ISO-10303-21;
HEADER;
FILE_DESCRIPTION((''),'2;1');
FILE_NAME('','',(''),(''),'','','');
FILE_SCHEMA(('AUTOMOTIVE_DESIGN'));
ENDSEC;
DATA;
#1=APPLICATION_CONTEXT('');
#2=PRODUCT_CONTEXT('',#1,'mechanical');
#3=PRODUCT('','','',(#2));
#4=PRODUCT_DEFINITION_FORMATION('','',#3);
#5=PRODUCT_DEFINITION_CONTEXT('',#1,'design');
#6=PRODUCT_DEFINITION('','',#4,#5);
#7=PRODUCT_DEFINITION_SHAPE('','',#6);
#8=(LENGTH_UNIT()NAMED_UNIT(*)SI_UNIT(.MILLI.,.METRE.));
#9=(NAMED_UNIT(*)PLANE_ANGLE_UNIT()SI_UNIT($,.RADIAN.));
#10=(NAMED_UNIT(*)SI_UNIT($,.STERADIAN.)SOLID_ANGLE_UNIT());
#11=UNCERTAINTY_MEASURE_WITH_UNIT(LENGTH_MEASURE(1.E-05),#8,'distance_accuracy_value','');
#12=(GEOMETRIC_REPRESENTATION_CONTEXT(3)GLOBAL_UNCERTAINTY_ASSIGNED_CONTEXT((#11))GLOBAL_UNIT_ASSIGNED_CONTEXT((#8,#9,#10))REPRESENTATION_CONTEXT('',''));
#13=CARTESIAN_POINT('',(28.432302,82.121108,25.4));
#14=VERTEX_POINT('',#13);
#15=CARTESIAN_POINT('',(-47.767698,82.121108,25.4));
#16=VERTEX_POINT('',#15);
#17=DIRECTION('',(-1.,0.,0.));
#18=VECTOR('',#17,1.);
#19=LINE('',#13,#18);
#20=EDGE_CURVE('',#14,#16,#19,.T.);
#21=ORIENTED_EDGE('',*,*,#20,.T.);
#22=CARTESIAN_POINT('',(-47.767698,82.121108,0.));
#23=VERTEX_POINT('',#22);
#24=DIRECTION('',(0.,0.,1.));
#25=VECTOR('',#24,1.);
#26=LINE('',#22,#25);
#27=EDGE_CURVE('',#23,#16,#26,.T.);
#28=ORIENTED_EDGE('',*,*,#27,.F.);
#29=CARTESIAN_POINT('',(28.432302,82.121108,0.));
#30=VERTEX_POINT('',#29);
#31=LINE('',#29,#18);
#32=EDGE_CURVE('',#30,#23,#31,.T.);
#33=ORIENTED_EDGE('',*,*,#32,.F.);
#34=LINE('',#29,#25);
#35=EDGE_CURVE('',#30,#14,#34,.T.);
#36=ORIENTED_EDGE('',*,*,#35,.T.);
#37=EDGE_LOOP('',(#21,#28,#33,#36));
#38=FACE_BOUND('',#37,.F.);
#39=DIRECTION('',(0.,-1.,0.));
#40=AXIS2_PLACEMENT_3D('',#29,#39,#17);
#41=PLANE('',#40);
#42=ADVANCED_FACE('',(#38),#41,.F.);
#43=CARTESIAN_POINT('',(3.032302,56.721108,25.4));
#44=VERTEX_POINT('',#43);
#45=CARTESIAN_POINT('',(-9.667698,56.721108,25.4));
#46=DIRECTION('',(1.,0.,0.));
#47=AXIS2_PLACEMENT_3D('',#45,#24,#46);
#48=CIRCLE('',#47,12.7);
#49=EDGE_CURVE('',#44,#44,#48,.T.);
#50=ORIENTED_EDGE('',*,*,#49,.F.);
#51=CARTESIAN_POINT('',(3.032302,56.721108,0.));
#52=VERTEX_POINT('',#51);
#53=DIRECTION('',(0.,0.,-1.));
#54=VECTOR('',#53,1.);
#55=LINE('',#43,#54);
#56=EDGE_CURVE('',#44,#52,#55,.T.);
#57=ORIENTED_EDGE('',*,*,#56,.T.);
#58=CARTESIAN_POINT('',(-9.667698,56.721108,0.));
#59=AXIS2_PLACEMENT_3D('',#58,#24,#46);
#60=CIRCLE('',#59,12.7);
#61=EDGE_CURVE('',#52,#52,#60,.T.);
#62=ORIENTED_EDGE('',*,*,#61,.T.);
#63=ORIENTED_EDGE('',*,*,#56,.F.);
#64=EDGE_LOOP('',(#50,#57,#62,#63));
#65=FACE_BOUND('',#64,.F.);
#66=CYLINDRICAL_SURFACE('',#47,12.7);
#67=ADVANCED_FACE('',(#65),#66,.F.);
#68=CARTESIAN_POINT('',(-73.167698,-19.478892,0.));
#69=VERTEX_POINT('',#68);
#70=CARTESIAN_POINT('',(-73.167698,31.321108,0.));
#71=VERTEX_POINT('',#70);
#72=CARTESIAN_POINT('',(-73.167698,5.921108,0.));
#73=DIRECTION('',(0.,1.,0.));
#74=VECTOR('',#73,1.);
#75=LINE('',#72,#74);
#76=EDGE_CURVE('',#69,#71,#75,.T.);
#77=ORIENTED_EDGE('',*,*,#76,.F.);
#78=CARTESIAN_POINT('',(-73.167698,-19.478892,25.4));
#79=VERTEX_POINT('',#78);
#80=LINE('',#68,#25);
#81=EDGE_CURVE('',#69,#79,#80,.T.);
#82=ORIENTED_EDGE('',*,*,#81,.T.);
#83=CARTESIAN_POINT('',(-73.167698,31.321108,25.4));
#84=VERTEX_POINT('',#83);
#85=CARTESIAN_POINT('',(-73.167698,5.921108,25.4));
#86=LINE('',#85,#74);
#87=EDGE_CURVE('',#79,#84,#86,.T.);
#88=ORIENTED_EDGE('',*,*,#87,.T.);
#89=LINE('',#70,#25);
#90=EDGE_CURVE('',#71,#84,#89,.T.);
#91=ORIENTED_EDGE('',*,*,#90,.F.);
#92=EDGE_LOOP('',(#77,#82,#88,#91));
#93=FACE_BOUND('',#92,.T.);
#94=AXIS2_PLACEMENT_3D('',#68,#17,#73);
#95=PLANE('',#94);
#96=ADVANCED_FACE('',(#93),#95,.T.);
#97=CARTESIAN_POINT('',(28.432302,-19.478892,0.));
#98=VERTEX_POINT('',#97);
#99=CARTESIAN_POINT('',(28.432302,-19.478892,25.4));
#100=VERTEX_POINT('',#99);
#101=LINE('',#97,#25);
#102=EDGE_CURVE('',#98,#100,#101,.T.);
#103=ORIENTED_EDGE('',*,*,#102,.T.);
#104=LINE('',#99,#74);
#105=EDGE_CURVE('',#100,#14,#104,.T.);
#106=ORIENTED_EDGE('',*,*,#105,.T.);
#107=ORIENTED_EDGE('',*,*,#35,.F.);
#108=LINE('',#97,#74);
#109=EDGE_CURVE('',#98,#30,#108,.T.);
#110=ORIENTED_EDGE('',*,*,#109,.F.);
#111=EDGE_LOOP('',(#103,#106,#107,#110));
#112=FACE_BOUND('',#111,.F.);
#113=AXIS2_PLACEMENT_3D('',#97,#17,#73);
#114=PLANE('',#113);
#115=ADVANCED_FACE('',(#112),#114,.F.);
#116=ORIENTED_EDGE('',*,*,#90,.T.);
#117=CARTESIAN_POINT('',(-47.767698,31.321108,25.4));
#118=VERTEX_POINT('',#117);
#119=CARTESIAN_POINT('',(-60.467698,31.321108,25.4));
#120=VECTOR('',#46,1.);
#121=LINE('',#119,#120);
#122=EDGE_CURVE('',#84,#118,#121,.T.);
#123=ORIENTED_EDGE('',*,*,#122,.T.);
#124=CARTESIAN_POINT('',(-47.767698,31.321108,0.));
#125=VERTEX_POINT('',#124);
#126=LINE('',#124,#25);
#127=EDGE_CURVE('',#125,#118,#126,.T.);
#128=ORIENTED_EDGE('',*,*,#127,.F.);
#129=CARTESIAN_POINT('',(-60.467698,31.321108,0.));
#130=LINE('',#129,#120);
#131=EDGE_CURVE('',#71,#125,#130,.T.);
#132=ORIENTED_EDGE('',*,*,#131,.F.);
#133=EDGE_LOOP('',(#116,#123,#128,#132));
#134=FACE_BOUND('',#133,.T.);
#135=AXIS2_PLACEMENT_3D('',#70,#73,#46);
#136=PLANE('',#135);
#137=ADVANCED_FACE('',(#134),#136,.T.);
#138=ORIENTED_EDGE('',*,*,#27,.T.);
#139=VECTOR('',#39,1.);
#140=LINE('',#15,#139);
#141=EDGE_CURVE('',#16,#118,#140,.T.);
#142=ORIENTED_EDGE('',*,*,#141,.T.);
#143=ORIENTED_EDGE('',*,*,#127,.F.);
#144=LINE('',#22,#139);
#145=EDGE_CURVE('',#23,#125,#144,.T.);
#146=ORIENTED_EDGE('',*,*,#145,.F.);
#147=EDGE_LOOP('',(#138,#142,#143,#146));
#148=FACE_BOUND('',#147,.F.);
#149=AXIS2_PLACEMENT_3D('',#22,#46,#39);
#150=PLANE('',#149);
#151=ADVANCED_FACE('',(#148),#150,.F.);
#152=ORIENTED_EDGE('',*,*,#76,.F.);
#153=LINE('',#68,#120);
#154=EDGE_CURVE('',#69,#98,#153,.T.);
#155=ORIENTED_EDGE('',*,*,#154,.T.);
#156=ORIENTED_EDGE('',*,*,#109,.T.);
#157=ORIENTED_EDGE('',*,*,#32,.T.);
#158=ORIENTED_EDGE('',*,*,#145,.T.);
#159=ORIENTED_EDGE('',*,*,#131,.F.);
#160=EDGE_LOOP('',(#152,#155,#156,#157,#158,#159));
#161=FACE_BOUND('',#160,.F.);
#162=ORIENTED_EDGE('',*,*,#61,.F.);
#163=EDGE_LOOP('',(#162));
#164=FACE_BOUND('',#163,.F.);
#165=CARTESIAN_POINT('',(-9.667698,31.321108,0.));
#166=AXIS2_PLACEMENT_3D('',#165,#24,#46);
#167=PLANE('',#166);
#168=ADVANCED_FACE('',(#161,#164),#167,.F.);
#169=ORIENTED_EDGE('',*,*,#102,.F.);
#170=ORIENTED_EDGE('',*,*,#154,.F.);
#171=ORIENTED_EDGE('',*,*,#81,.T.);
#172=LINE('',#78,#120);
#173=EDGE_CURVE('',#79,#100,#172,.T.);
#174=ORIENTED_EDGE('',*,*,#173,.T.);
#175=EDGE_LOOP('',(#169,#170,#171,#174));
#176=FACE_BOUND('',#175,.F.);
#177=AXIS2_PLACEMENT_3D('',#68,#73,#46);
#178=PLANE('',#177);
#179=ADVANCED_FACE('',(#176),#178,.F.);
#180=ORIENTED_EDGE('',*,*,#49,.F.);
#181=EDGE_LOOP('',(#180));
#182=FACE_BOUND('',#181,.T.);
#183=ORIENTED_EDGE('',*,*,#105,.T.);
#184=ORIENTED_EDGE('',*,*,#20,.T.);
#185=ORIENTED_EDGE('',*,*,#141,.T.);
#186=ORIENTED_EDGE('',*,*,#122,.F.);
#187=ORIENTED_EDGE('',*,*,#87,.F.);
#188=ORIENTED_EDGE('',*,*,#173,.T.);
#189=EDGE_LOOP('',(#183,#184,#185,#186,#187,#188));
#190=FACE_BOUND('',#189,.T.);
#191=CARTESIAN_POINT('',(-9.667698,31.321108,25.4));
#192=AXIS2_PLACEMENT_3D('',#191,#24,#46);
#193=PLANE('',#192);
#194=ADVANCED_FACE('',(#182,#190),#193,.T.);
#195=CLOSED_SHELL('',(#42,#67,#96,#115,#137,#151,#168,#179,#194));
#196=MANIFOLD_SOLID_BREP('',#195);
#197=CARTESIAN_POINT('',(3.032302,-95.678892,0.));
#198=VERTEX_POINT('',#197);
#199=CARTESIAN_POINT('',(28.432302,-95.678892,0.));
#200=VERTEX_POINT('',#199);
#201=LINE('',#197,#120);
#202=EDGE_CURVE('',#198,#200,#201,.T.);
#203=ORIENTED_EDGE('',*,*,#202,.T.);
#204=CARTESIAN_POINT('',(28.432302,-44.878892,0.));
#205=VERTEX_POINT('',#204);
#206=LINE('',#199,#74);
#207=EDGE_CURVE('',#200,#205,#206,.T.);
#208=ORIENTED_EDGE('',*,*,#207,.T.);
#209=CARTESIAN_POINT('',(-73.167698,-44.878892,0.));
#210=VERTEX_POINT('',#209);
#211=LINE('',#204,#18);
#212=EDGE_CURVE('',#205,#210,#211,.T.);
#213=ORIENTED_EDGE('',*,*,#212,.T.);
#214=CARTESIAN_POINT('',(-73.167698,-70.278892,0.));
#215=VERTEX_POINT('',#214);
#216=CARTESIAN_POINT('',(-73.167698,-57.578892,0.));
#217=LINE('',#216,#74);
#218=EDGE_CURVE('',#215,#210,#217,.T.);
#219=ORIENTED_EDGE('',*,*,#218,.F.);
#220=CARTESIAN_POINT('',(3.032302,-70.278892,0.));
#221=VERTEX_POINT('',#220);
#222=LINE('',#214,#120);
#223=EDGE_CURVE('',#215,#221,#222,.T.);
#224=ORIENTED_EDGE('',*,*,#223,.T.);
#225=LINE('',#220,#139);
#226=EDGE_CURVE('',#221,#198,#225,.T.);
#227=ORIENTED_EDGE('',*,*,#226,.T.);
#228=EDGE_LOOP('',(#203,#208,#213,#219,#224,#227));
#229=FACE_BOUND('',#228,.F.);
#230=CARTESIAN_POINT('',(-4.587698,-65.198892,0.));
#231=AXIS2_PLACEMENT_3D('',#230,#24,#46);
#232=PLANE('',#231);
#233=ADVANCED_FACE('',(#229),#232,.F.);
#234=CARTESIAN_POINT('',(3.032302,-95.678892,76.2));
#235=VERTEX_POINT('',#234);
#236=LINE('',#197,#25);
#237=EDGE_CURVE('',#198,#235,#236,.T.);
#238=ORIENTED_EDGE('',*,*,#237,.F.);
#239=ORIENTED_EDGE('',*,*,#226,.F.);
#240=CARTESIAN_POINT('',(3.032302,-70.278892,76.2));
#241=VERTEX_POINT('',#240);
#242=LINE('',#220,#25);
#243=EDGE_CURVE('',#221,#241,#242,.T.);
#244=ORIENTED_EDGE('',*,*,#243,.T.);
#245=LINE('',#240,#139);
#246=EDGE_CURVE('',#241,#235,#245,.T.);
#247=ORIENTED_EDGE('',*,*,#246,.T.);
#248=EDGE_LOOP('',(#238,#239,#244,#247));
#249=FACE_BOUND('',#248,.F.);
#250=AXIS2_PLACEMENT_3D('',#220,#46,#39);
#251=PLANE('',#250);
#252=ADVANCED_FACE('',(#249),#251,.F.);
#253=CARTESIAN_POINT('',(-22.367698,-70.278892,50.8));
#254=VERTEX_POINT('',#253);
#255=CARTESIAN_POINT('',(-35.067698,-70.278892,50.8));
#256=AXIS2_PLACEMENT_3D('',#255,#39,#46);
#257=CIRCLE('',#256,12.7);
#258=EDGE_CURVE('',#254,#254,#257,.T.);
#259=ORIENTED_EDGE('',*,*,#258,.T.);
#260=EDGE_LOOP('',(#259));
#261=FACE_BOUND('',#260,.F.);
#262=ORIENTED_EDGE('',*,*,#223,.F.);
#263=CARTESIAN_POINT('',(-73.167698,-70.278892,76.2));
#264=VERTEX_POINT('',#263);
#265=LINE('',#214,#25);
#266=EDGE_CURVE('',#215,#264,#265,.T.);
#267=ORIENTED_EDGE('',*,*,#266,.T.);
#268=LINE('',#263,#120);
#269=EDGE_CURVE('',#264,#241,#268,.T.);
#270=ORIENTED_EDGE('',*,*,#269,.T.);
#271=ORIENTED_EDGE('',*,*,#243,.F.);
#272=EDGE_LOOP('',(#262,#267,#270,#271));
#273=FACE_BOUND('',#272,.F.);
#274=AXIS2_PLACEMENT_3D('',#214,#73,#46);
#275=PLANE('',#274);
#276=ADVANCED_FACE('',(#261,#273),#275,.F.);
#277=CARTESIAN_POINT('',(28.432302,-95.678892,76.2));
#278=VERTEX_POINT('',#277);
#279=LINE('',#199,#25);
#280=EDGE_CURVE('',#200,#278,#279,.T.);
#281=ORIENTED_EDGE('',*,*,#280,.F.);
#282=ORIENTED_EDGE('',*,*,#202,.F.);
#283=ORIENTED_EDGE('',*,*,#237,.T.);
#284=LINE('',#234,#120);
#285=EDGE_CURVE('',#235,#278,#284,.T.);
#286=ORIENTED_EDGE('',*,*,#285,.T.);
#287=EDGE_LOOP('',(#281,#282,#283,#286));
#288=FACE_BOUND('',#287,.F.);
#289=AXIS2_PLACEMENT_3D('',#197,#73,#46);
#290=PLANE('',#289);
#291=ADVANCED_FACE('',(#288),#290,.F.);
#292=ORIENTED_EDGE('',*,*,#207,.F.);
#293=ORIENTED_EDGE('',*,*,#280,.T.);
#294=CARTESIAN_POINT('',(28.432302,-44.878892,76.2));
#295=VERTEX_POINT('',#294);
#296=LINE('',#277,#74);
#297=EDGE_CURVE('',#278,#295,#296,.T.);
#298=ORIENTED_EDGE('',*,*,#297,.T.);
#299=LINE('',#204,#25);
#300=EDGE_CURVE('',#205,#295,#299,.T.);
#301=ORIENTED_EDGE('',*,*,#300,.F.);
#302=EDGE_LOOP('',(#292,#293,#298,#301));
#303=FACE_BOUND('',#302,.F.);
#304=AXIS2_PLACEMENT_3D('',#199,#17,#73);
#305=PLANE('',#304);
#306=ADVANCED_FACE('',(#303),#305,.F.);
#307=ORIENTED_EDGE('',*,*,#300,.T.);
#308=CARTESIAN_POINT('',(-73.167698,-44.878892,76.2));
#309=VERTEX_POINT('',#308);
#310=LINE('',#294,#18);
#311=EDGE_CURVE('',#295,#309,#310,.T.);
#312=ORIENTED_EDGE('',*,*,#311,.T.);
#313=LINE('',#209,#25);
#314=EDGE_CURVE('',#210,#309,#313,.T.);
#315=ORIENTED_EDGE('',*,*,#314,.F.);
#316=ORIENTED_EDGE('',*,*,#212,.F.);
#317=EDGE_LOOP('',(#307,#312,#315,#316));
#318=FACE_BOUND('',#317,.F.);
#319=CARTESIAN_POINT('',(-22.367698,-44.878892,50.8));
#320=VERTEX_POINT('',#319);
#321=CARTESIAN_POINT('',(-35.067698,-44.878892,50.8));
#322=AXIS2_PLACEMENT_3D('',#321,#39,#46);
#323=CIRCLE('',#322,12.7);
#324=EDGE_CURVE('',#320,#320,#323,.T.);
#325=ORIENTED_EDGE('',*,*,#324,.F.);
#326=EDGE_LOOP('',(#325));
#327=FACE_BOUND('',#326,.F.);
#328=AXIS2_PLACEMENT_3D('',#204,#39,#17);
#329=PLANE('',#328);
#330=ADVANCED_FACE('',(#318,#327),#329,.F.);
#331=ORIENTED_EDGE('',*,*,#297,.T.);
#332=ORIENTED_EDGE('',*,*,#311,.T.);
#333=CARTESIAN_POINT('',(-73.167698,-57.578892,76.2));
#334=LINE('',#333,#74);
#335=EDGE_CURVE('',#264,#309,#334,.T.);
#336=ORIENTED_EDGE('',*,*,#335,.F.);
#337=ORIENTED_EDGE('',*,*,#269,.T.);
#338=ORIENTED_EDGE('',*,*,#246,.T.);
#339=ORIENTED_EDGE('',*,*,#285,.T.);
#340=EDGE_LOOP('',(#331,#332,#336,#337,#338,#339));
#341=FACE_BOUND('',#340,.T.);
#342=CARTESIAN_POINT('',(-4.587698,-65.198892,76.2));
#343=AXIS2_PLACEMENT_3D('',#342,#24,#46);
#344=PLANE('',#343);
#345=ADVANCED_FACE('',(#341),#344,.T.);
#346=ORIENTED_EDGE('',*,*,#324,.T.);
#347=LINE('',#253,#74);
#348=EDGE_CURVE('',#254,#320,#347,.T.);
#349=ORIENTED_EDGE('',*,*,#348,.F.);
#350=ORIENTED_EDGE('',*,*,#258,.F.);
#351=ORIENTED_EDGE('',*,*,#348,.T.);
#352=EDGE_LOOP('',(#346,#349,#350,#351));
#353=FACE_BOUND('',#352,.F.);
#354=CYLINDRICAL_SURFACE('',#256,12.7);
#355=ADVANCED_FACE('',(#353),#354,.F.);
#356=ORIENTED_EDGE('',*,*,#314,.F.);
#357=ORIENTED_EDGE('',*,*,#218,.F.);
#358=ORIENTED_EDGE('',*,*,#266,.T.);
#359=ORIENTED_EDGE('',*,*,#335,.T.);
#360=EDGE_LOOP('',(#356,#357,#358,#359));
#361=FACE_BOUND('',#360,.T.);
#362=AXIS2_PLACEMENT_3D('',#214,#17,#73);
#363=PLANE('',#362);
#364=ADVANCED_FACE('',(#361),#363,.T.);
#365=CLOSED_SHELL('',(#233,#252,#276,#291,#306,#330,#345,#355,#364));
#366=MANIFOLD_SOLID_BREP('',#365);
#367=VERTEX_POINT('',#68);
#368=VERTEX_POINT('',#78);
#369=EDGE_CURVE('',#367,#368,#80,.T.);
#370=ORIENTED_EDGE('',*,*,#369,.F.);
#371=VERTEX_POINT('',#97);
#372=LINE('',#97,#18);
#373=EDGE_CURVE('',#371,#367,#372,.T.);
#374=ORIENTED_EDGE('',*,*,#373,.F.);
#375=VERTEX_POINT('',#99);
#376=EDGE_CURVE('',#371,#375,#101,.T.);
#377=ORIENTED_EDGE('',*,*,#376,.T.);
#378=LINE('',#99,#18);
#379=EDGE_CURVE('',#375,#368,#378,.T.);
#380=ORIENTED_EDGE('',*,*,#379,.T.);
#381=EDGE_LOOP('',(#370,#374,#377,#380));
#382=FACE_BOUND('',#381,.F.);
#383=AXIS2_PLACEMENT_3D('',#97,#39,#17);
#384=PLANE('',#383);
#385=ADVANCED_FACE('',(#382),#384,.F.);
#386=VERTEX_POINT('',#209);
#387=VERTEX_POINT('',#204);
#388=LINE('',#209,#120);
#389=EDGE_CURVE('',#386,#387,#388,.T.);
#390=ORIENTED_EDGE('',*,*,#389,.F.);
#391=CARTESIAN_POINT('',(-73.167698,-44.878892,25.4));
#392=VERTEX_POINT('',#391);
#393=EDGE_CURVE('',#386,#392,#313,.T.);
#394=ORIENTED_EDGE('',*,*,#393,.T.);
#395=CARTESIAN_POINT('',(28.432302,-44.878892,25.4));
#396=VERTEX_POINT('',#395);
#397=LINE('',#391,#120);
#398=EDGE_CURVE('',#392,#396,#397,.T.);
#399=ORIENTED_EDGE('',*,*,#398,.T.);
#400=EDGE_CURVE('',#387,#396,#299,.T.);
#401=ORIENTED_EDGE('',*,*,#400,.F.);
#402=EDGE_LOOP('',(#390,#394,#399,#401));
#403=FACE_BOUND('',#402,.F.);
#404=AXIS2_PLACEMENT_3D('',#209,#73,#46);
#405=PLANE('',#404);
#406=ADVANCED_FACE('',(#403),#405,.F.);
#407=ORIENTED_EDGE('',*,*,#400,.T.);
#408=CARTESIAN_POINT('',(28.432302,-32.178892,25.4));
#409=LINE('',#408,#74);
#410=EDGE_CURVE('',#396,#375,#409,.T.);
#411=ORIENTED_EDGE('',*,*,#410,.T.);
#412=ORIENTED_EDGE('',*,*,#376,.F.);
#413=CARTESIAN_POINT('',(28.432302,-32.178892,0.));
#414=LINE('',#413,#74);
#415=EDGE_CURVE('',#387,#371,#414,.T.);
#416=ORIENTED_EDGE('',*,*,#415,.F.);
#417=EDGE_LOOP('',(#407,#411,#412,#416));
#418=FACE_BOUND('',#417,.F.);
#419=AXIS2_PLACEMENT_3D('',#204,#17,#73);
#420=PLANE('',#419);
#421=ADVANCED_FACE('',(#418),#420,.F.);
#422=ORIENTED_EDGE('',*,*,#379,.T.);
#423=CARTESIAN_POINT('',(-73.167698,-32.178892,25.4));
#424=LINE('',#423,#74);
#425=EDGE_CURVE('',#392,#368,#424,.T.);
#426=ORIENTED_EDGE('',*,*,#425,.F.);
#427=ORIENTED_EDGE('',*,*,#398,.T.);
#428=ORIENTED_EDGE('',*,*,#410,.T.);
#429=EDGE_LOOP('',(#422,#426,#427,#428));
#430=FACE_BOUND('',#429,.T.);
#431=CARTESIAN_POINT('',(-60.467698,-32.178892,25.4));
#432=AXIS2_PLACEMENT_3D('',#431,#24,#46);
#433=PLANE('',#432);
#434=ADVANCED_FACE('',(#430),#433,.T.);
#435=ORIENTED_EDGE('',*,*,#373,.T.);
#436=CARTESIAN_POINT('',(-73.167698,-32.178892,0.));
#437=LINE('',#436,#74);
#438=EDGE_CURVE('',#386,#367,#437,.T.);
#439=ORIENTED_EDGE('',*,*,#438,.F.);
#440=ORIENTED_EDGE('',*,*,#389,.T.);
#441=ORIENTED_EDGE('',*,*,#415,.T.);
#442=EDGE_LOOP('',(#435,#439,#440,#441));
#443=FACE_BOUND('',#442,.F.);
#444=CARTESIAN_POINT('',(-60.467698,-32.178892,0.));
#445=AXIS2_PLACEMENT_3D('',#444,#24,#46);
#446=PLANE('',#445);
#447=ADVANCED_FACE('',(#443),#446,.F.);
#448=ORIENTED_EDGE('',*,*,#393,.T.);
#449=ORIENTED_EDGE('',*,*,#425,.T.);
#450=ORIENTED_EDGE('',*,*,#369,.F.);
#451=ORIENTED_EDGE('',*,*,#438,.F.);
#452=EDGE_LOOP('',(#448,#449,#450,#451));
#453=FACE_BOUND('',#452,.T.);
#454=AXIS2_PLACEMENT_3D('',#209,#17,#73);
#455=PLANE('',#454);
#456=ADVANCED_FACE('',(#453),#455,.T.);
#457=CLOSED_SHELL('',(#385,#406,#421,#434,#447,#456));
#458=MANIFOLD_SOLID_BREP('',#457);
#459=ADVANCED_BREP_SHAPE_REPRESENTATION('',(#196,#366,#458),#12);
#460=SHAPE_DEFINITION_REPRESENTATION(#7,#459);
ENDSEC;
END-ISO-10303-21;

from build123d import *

# Parameters (mm, degrees)
F0_W     = 25.4
F0_H     = 50.8
F1_DEPTH = 25.4
F0_H_2   = 25.4
F2_DEPTH = 76.2
F0_W_2   = 76.2
F3_DEPTH = 25.4
F4_R     = 12.7
F5_DEPTH = 25.4
F6_R     = 12.7
F7_DEPTH = 25.4


with BuildPart() as f1:
    # F0 (on Top) → F1 (new body)
    with BuildSketch(Plane.XY):
        Polygon((28.432302, 82.121108), (-47.767698, 82.121108), (-47.767698, 31.321108), (-47.767698, -19.478892), (28.432302, -19.478892), align=None)
        with Locations((-60.467698, 5.921108)):
            Rectangle(F0_W, F0_H)
    extrude(amount=F1_DEPTH)

    # F6 (on face) → F7 (cut)
    with BuildSketch(Plane.XY.offset(25.4)):
        with Locations((-9.667698, 56.721108)):
            Circle(F6_R)
    extrude(amount=-F7_DEPTH, mode=Mode.SUBTRACT)


with BuildPart() as f2:
    # F0 (on Top) → F2 (new body)
    with BuildSketch(Plane.XY):
        Polygon((28.432302, -95.678892), (28.432302, -44.878892), (-47.767698, -44.878892), (-47.767698, -70.278892), (3.032302, -70.278892), (3.032302, -95.678892), align=None)
        with Locations((-60.467698, -57.578892)):
            Rectangle(F0_W, F0_H_2)
    extrude(amount=F2_DEPTH)

    # F4 (on face) → F5 (cut)
    with BuildSketch(Plane.XZ.offset(70.278892)):
        with Locations((-35.067698, 50.8)):
            Circle(F4_R)
    extrude(amount=-F5_DEPTH, mode=Mode.SUBTRACT)


with BuildPart() as f3:
    # F0 (on Top) → F3 (new body)
    with BuildSketch(Plane.XY):
        with Locations((-60.467698, -32.178892)):
            Rectangle(F0_W, F0_H_2)
        with Locations((-9.667698, -32.178892)):
            Rectangle(F0_W_2, F0_H_2)
    extrude(amount=F3_DEPTH)


solid = Compound([f1.part, f2.part, f3.part])
